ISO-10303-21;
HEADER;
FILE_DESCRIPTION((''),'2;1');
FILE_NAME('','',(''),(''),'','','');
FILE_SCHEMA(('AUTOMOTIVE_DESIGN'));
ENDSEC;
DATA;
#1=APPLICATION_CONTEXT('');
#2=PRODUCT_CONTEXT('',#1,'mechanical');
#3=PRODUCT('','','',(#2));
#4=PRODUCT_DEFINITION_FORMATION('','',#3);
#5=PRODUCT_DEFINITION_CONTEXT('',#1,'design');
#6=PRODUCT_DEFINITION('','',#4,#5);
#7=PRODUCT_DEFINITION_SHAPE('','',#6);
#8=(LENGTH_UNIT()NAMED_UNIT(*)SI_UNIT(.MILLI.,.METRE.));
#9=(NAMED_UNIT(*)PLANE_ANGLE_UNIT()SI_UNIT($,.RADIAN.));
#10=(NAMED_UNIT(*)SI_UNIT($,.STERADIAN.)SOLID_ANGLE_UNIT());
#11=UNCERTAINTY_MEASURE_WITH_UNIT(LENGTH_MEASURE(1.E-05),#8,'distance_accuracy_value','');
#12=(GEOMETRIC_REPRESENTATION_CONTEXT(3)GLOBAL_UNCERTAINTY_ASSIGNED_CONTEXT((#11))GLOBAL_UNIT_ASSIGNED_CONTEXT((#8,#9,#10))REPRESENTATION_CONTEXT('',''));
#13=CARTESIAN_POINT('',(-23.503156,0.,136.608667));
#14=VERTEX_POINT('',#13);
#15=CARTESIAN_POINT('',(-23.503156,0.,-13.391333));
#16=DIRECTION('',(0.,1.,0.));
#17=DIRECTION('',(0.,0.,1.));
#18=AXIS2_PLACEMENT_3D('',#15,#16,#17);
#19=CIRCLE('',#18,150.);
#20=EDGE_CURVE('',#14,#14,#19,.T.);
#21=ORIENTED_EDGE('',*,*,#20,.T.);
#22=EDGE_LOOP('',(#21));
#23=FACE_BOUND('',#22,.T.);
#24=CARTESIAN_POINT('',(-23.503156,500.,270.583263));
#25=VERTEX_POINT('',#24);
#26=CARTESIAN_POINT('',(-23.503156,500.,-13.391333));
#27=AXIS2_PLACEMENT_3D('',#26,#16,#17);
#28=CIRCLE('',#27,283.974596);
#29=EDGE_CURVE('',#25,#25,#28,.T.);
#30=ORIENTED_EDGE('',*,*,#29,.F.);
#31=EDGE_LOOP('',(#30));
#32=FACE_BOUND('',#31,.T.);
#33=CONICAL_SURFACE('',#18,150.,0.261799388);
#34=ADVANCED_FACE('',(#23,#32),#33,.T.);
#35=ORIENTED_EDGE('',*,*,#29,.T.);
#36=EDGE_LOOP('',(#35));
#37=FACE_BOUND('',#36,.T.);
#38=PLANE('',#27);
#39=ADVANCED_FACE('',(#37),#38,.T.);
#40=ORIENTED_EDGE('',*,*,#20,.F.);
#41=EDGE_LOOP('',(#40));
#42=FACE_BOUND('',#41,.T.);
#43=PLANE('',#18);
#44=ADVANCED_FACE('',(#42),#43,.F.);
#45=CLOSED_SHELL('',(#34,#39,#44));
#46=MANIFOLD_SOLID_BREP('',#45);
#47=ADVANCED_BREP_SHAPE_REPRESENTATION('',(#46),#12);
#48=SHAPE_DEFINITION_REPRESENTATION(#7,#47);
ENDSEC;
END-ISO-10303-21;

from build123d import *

# Parameters (mm, degrees)
SKETCH_1_R      = 150
EXTRUDE_1_DEPTH = 500
EXTRUDE_1_TAPER = -15


with BuildPart() as part:
    # 草图1 → 凸台-拉伸1 (new body)
    with BuildSketch(Plane(origin=(0, 0, 0), x_dir=(1, 0, 0), z_dir=(0, 1, 0))):
        with Locations((-23.503155964, 13.391333049)):
            Circle(SKETCH_1_R)
    extrude(amount=EXTRUDE_1_DEPTH, taper=EXTRUDE_1_TAPER)


solid = part.part
